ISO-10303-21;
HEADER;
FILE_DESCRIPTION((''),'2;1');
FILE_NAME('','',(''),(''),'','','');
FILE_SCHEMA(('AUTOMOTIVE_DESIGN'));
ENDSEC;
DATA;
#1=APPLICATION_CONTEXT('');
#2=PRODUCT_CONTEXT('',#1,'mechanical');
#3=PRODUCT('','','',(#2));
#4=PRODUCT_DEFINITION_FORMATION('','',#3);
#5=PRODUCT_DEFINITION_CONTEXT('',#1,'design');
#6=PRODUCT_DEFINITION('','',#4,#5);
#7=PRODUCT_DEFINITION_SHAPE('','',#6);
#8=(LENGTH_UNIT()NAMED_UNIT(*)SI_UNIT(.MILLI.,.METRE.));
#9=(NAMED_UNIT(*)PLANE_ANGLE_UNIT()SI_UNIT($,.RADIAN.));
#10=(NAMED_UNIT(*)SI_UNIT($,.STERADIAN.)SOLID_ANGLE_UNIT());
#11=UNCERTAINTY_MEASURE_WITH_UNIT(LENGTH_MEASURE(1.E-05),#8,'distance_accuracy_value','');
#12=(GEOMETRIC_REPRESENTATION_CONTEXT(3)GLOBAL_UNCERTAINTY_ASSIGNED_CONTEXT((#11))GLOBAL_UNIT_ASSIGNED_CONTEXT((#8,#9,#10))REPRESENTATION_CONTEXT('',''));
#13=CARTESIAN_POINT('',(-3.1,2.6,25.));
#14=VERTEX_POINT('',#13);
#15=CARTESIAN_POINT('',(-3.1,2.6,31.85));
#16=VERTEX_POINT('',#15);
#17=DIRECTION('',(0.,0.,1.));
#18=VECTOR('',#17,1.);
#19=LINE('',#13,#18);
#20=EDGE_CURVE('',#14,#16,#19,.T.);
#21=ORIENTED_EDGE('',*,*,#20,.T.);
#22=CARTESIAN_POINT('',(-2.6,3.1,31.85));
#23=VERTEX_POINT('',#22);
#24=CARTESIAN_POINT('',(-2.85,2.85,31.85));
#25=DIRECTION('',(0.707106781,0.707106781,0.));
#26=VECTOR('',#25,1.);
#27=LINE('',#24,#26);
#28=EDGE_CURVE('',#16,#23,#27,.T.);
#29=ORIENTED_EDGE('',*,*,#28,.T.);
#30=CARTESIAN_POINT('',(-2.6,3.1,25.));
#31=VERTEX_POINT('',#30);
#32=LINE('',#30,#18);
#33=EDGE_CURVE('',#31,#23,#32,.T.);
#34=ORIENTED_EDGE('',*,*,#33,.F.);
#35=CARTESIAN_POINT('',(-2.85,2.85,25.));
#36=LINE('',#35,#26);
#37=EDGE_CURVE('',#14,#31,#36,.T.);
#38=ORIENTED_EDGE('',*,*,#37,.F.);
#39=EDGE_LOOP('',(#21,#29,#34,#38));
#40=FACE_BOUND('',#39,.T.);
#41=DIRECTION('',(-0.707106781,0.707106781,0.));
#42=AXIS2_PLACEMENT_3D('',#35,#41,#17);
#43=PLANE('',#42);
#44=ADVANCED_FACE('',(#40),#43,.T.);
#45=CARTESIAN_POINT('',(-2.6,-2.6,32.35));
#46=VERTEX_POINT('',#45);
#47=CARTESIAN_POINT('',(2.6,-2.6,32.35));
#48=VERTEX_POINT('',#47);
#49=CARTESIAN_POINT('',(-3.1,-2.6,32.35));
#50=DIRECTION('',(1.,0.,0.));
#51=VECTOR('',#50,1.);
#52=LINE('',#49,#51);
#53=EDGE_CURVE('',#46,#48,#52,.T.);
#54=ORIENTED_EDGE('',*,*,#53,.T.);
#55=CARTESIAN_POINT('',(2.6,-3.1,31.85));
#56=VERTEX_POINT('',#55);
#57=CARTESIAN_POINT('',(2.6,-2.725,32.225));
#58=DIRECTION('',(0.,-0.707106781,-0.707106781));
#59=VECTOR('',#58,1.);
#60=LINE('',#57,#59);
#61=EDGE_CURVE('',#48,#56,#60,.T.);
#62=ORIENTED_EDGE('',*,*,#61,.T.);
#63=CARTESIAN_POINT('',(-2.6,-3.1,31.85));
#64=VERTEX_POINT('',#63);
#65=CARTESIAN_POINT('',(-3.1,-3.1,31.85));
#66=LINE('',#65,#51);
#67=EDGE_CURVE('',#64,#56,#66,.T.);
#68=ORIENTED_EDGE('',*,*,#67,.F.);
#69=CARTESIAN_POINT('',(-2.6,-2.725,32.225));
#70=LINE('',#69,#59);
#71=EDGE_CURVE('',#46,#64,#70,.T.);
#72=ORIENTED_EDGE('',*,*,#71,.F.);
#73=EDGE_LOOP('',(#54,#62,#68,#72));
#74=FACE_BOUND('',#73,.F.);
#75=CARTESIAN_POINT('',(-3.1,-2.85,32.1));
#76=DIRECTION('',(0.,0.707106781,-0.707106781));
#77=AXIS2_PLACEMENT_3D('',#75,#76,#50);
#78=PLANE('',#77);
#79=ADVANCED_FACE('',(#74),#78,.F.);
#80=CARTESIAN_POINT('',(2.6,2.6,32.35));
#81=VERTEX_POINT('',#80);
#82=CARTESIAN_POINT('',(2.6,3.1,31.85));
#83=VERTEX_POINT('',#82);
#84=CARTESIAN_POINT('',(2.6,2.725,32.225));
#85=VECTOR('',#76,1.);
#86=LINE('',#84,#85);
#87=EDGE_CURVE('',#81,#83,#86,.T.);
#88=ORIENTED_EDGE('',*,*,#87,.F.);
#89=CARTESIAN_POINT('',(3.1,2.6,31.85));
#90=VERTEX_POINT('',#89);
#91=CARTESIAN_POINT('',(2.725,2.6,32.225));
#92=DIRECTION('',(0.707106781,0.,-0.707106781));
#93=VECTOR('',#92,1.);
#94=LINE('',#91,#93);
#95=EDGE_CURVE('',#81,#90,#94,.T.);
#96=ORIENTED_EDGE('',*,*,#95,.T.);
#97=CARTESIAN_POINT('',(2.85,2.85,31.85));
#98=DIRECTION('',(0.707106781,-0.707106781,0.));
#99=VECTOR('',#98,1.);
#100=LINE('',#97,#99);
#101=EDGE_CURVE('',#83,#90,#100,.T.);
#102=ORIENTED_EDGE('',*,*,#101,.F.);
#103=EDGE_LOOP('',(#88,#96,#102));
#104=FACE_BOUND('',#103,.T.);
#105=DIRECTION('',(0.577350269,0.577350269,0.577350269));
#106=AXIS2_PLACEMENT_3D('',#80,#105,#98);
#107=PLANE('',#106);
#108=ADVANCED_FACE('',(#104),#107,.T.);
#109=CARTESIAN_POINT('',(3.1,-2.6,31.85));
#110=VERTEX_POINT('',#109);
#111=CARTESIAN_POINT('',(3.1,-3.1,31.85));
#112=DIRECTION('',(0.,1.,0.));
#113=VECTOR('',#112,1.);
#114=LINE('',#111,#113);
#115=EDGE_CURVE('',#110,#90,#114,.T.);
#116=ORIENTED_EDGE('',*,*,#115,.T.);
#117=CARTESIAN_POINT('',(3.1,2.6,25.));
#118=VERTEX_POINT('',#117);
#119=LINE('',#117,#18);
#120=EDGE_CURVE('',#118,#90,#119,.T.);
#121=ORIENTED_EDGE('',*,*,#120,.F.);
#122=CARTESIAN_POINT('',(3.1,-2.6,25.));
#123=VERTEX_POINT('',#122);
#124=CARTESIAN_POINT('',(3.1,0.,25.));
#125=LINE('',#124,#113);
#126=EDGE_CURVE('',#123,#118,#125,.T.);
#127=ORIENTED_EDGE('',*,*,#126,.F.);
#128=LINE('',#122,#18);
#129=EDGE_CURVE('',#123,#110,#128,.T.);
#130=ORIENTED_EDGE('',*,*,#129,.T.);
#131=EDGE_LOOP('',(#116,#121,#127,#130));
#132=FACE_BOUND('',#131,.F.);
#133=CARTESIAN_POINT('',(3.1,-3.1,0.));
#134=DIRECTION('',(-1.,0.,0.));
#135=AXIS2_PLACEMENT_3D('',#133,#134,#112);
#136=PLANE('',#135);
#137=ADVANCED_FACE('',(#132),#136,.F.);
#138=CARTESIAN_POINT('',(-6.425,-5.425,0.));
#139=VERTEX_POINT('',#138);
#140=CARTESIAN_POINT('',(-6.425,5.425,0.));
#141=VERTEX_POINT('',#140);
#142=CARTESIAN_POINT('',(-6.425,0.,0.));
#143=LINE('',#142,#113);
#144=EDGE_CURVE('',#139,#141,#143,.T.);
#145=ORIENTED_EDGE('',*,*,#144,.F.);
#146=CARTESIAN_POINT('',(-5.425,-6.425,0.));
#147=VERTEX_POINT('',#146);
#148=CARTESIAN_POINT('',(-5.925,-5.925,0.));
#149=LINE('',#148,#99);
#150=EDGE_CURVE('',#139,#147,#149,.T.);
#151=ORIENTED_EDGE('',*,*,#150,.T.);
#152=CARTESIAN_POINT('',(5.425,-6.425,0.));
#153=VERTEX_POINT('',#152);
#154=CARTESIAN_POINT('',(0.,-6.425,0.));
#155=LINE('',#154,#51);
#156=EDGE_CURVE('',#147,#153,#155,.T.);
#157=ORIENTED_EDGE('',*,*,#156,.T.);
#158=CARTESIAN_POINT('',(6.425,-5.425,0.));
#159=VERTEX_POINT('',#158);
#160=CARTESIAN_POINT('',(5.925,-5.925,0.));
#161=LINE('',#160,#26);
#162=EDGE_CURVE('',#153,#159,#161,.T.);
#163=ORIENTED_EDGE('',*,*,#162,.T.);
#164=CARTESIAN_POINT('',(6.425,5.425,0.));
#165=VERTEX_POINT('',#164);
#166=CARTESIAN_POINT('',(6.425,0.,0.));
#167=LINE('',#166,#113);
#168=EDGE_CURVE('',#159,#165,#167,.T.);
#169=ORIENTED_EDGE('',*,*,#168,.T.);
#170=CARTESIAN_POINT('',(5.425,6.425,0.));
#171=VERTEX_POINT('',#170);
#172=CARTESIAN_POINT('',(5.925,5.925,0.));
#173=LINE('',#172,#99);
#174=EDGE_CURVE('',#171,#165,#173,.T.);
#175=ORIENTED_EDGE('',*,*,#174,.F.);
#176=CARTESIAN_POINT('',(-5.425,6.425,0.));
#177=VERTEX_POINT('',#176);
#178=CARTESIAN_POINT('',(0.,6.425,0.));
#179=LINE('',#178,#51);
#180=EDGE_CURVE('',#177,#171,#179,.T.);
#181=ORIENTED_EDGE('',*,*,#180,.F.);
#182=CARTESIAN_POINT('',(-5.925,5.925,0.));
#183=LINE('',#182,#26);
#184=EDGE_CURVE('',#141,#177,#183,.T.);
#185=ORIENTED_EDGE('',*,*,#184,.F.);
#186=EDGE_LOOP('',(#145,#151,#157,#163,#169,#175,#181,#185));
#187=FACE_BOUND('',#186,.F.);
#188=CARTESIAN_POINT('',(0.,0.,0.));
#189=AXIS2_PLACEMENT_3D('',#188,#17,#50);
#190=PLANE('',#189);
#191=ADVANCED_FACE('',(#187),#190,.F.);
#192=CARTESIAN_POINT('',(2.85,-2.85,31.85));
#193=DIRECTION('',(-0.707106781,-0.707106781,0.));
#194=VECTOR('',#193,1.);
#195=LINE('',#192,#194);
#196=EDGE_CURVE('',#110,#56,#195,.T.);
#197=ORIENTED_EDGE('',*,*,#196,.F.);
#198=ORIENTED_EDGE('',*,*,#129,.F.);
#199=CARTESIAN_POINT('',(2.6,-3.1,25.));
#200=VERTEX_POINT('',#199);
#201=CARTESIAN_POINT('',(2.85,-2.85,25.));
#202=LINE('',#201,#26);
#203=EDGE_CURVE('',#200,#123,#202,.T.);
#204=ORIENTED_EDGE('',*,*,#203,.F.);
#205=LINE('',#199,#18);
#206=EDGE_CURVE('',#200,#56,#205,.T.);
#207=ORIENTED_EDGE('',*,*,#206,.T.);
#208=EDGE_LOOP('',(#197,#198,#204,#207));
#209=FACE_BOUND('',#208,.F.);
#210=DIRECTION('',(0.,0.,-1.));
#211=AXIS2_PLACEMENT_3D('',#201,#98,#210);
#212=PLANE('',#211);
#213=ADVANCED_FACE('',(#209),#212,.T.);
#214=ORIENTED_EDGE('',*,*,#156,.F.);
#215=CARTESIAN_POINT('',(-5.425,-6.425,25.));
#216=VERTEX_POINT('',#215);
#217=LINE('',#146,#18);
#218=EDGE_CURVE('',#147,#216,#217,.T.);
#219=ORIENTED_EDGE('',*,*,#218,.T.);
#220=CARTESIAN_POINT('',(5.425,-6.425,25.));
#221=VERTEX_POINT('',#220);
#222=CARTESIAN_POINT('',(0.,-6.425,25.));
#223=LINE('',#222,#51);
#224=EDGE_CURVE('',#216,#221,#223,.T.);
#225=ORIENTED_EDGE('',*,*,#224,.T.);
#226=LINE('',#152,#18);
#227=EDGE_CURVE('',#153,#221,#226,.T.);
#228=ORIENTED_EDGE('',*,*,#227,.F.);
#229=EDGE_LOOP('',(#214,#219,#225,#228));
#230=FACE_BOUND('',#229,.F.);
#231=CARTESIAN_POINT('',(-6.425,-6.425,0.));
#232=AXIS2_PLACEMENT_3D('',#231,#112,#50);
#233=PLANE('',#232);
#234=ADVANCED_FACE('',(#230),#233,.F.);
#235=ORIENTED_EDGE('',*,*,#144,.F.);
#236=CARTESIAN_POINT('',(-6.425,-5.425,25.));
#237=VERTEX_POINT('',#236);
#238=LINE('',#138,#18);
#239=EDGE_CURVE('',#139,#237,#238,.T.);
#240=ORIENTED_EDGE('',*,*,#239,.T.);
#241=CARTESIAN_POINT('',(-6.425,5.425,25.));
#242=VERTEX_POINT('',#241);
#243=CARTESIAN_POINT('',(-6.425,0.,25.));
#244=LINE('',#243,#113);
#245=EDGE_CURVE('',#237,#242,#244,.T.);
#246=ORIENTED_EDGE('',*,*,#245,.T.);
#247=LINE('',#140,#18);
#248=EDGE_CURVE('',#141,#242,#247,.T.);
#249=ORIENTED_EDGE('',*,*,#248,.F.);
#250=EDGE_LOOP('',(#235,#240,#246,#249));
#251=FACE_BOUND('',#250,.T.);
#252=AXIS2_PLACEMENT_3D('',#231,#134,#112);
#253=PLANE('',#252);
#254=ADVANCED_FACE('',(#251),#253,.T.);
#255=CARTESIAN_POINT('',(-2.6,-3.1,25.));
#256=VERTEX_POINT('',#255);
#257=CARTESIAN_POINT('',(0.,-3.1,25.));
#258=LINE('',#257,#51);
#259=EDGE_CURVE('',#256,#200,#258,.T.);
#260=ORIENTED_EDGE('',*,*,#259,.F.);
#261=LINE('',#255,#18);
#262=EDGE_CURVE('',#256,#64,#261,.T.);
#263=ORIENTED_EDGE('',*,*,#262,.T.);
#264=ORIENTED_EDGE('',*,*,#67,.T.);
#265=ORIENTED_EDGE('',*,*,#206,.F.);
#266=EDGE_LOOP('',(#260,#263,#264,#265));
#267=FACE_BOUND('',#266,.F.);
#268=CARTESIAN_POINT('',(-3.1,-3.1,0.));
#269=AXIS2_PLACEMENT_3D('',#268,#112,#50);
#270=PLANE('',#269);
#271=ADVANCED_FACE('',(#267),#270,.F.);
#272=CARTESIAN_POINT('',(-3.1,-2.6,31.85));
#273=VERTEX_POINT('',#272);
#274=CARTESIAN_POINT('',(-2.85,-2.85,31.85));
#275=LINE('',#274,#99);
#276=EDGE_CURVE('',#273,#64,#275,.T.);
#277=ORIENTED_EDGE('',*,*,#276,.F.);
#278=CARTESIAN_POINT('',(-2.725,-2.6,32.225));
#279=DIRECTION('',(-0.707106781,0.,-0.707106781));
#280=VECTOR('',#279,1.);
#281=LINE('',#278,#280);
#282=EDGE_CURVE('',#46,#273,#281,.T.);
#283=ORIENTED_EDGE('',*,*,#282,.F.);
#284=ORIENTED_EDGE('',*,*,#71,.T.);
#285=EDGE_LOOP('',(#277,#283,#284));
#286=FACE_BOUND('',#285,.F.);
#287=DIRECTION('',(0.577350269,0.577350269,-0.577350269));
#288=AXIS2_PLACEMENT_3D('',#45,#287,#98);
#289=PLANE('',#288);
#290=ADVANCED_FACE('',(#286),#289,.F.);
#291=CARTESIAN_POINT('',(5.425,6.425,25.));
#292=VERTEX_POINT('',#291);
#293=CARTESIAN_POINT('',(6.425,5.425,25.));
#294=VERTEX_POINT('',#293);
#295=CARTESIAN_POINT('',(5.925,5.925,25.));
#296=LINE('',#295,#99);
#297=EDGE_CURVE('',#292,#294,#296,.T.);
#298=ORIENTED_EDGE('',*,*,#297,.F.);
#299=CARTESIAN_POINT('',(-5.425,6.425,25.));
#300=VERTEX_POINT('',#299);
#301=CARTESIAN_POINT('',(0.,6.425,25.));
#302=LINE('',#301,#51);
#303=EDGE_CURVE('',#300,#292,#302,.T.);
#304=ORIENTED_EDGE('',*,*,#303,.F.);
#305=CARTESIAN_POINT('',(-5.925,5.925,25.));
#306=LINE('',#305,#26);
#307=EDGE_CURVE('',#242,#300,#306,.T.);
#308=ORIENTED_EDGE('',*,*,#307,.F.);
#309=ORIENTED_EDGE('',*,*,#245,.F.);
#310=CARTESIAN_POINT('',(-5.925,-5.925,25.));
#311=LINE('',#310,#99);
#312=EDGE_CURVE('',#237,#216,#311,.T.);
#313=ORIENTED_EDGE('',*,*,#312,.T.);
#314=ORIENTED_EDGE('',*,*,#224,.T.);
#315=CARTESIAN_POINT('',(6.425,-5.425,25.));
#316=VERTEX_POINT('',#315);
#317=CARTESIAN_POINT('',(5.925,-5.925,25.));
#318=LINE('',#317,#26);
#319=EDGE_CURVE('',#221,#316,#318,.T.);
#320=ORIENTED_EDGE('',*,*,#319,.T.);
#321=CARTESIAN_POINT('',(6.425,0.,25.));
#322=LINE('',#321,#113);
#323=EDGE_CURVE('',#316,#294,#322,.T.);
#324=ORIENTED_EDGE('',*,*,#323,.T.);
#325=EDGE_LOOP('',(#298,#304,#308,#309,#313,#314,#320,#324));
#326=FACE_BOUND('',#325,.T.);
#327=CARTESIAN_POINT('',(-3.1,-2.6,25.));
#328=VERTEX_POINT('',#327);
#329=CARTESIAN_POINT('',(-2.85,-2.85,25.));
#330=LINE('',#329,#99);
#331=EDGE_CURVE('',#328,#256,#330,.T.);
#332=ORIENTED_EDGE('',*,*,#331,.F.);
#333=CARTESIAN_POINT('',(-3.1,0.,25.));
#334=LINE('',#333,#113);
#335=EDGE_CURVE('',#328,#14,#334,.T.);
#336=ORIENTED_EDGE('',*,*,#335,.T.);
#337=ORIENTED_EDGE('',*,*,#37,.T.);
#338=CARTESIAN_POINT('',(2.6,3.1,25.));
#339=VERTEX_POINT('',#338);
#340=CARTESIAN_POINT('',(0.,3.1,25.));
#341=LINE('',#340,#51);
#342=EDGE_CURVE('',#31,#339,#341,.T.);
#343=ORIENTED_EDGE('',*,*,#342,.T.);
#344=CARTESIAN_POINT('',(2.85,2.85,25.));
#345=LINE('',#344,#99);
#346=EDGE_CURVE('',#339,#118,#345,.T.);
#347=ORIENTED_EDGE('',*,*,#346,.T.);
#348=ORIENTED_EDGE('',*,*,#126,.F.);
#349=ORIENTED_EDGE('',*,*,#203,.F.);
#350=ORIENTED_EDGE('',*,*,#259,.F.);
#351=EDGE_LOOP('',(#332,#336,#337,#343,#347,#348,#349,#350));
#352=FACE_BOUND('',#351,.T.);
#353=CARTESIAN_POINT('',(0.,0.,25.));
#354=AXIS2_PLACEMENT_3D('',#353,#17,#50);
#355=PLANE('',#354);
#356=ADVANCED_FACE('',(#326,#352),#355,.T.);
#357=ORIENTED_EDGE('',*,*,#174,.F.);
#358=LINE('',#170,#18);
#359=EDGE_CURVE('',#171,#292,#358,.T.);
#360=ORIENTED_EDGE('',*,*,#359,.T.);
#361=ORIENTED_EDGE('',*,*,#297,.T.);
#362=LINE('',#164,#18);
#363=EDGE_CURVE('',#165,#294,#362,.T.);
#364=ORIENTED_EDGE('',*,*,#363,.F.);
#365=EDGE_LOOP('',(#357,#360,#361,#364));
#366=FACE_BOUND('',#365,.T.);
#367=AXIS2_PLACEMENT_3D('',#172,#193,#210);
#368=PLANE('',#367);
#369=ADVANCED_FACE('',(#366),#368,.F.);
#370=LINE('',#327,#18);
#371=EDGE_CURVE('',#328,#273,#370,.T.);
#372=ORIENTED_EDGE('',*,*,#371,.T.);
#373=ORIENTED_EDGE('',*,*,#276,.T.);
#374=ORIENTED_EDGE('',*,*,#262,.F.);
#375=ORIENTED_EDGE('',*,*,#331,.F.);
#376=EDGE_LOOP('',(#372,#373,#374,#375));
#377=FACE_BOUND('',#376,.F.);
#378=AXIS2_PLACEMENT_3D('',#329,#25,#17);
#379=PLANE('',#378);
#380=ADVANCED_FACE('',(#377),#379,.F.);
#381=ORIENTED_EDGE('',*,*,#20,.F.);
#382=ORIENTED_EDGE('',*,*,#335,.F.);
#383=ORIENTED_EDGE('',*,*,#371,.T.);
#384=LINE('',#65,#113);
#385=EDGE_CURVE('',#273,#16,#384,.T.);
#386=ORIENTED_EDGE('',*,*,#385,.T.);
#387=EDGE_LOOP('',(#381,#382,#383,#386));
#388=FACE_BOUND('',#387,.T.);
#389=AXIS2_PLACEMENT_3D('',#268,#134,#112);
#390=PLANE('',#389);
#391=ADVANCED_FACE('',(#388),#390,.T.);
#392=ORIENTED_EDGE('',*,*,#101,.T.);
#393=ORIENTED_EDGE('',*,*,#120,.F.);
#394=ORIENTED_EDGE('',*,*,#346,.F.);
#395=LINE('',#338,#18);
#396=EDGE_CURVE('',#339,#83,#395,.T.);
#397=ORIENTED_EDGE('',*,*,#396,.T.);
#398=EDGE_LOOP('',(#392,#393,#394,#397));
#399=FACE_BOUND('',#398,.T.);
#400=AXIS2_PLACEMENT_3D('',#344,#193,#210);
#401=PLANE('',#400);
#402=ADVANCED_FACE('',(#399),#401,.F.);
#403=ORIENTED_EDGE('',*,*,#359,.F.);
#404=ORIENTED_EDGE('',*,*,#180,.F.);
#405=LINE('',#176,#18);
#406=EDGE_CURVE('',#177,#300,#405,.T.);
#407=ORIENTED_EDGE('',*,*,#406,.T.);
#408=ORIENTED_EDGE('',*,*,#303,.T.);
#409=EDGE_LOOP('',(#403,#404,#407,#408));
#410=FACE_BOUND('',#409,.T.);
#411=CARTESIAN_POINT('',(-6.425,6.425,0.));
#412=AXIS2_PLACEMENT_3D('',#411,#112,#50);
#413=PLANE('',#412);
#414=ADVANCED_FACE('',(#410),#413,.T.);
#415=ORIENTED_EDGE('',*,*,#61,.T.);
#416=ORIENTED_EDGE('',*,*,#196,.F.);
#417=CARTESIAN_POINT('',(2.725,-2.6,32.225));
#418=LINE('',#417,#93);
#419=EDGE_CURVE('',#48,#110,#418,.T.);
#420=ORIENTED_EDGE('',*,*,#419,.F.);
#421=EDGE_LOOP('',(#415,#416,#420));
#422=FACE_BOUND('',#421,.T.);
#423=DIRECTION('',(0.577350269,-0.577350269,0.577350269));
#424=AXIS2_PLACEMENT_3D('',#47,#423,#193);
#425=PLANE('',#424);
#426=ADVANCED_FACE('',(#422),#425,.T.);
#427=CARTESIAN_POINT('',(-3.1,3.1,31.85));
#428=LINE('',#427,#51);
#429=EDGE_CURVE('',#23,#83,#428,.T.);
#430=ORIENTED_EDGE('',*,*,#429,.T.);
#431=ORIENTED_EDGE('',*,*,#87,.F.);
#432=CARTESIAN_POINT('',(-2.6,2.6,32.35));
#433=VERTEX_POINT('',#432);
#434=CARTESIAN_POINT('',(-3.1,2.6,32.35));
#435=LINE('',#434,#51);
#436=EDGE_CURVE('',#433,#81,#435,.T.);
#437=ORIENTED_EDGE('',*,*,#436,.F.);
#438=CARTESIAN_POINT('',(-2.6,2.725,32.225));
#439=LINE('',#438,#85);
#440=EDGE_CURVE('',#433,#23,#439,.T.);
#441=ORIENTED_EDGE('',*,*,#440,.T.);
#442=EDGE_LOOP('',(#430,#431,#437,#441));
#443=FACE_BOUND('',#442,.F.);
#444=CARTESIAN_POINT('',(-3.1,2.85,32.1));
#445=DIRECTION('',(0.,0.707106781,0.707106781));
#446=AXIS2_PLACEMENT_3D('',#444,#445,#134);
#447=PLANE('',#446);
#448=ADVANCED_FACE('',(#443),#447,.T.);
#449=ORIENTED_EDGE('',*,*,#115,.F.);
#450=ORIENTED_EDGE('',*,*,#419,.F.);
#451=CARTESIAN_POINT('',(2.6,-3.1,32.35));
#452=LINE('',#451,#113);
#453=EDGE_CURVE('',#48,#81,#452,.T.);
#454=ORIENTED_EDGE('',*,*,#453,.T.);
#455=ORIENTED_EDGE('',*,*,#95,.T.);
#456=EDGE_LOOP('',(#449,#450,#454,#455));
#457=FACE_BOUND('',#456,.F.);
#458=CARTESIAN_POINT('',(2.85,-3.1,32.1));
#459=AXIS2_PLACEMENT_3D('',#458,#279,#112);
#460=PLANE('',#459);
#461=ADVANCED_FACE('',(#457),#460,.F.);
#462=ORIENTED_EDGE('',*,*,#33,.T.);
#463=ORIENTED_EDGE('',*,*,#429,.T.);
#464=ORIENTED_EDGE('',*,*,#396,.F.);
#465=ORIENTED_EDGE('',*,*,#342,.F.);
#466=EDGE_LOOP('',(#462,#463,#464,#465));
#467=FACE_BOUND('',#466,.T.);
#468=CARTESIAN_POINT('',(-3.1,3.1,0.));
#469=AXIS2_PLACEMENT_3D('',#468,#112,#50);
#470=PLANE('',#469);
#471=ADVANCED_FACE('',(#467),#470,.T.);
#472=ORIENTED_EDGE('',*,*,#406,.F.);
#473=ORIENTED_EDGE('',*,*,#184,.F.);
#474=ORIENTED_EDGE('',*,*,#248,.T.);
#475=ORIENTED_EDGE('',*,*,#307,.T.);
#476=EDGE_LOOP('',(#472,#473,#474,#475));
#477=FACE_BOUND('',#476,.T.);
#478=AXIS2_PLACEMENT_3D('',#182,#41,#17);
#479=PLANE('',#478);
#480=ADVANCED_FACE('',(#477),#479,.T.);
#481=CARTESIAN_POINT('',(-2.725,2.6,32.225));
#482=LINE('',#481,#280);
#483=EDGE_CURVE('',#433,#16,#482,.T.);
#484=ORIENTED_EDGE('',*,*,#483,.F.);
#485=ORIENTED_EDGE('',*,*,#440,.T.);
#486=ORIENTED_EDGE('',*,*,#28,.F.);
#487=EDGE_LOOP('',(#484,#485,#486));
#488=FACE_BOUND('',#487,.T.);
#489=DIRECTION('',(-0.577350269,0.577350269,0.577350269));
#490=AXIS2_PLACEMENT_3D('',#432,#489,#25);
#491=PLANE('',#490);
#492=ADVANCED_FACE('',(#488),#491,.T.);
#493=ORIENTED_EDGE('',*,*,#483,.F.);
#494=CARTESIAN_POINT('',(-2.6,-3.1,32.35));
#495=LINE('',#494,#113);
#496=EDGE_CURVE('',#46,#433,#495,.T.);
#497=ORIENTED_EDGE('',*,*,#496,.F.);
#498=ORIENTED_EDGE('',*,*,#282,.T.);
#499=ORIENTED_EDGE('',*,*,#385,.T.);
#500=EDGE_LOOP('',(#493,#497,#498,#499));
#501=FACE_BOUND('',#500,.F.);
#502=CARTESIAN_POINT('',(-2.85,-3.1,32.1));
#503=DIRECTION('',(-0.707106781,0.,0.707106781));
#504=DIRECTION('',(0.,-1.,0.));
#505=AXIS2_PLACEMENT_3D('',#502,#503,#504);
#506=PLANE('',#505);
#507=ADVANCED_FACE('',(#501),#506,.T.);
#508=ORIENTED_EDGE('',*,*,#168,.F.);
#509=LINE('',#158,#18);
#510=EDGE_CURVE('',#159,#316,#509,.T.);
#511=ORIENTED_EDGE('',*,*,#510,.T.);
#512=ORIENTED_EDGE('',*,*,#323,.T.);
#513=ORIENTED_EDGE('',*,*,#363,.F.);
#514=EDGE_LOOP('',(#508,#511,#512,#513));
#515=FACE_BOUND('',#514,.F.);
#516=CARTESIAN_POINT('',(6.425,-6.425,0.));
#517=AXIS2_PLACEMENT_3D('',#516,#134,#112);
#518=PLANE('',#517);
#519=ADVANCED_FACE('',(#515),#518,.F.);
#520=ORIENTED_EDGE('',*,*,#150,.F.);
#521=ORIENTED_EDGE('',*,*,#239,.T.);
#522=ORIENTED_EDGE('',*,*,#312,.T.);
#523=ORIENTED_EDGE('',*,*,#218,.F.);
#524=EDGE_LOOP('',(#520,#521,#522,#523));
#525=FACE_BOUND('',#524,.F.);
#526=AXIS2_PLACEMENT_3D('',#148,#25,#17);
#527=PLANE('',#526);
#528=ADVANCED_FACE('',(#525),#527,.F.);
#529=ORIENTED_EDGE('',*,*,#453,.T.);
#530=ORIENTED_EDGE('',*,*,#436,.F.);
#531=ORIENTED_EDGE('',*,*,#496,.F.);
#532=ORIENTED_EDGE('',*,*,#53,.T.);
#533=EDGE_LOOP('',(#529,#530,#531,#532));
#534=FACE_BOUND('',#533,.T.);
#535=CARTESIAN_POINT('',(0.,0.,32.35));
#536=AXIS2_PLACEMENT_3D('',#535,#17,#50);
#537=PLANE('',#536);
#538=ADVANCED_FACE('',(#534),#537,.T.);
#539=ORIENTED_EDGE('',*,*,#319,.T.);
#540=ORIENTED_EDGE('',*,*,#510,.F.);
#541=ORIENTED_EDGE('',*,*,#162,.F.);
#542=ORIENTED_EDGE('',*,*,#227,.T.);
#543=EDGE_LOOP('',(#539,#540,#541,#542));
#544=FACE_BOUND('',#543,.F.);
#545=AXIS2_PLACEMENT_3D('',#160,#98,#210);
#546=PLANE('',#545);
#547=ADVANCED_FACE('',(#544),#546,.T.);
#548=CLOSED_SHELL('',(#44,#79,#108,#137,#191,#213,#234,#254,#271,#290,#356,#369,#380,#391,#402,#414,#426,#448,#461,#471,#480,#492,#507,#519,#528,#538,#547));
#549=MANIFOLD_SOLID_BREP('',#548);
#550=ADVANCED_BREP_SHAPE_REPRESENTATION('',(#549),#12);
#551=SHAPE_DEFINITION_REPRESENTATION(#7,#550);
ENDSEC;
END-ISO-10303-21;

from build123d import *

# Parameters (mm, degrees)
F0_W     = 12.85
F0_H     = 12.85
F0_W_2   = 6.2
F0_H_2   = 6.2
F1_DEPTH = 25
F2_DEPTH = 32.35
F3_SIZE  = 0.5
F4_SIZE  = 1


with BuildPart() as f1:
    # F0 (on Top) → F1 (new body)
    with BuildSketch(Plane.XY):
        Rectangle(F0_W, F0_H)
        Rectangle(F0_W_2, F0_H_2, mode=Mode.SUBTRACT)
    extrude(amount=F1_DEPTH)

    # F0 (on Top) → F2 (join)
    with BuildSketch(Plane.XY):
        Rectangle(F0_W_2, F0_H_2)
    extrude(amount=F2_DEPTH)

    # F3
    f3_edges = [f1.edges().sort_by_distance(p)[0] for p in [
        (3.1, -3.1, 28.675),
        (3.1, 3.1, 28.675),
        (-3.1, -3.1, 28.675),
        (-3.1, 3.1, 28.675),
        (-3.1, 0, 32.35),
        (0, 3.1, 32.35),
        (3.1, 0, 32.35),
        (0, -3.1, 32.35),
    ]]
    chamfer(f3_edges, length=F3_SIZE)

    # F4
    f4_edges = [f1.edges().sort_by_distance(p)[0] for p in [
        (-6.425, -6.425, 12.5),
        (-6.425, 6.425, 12.5),
        (6.425, 6.425, 12.5),
        (6.425, -6.425, 12.5),
    ]]
    chamfer(f4_edges, length=F4_SIZE)


solid = f1.part
